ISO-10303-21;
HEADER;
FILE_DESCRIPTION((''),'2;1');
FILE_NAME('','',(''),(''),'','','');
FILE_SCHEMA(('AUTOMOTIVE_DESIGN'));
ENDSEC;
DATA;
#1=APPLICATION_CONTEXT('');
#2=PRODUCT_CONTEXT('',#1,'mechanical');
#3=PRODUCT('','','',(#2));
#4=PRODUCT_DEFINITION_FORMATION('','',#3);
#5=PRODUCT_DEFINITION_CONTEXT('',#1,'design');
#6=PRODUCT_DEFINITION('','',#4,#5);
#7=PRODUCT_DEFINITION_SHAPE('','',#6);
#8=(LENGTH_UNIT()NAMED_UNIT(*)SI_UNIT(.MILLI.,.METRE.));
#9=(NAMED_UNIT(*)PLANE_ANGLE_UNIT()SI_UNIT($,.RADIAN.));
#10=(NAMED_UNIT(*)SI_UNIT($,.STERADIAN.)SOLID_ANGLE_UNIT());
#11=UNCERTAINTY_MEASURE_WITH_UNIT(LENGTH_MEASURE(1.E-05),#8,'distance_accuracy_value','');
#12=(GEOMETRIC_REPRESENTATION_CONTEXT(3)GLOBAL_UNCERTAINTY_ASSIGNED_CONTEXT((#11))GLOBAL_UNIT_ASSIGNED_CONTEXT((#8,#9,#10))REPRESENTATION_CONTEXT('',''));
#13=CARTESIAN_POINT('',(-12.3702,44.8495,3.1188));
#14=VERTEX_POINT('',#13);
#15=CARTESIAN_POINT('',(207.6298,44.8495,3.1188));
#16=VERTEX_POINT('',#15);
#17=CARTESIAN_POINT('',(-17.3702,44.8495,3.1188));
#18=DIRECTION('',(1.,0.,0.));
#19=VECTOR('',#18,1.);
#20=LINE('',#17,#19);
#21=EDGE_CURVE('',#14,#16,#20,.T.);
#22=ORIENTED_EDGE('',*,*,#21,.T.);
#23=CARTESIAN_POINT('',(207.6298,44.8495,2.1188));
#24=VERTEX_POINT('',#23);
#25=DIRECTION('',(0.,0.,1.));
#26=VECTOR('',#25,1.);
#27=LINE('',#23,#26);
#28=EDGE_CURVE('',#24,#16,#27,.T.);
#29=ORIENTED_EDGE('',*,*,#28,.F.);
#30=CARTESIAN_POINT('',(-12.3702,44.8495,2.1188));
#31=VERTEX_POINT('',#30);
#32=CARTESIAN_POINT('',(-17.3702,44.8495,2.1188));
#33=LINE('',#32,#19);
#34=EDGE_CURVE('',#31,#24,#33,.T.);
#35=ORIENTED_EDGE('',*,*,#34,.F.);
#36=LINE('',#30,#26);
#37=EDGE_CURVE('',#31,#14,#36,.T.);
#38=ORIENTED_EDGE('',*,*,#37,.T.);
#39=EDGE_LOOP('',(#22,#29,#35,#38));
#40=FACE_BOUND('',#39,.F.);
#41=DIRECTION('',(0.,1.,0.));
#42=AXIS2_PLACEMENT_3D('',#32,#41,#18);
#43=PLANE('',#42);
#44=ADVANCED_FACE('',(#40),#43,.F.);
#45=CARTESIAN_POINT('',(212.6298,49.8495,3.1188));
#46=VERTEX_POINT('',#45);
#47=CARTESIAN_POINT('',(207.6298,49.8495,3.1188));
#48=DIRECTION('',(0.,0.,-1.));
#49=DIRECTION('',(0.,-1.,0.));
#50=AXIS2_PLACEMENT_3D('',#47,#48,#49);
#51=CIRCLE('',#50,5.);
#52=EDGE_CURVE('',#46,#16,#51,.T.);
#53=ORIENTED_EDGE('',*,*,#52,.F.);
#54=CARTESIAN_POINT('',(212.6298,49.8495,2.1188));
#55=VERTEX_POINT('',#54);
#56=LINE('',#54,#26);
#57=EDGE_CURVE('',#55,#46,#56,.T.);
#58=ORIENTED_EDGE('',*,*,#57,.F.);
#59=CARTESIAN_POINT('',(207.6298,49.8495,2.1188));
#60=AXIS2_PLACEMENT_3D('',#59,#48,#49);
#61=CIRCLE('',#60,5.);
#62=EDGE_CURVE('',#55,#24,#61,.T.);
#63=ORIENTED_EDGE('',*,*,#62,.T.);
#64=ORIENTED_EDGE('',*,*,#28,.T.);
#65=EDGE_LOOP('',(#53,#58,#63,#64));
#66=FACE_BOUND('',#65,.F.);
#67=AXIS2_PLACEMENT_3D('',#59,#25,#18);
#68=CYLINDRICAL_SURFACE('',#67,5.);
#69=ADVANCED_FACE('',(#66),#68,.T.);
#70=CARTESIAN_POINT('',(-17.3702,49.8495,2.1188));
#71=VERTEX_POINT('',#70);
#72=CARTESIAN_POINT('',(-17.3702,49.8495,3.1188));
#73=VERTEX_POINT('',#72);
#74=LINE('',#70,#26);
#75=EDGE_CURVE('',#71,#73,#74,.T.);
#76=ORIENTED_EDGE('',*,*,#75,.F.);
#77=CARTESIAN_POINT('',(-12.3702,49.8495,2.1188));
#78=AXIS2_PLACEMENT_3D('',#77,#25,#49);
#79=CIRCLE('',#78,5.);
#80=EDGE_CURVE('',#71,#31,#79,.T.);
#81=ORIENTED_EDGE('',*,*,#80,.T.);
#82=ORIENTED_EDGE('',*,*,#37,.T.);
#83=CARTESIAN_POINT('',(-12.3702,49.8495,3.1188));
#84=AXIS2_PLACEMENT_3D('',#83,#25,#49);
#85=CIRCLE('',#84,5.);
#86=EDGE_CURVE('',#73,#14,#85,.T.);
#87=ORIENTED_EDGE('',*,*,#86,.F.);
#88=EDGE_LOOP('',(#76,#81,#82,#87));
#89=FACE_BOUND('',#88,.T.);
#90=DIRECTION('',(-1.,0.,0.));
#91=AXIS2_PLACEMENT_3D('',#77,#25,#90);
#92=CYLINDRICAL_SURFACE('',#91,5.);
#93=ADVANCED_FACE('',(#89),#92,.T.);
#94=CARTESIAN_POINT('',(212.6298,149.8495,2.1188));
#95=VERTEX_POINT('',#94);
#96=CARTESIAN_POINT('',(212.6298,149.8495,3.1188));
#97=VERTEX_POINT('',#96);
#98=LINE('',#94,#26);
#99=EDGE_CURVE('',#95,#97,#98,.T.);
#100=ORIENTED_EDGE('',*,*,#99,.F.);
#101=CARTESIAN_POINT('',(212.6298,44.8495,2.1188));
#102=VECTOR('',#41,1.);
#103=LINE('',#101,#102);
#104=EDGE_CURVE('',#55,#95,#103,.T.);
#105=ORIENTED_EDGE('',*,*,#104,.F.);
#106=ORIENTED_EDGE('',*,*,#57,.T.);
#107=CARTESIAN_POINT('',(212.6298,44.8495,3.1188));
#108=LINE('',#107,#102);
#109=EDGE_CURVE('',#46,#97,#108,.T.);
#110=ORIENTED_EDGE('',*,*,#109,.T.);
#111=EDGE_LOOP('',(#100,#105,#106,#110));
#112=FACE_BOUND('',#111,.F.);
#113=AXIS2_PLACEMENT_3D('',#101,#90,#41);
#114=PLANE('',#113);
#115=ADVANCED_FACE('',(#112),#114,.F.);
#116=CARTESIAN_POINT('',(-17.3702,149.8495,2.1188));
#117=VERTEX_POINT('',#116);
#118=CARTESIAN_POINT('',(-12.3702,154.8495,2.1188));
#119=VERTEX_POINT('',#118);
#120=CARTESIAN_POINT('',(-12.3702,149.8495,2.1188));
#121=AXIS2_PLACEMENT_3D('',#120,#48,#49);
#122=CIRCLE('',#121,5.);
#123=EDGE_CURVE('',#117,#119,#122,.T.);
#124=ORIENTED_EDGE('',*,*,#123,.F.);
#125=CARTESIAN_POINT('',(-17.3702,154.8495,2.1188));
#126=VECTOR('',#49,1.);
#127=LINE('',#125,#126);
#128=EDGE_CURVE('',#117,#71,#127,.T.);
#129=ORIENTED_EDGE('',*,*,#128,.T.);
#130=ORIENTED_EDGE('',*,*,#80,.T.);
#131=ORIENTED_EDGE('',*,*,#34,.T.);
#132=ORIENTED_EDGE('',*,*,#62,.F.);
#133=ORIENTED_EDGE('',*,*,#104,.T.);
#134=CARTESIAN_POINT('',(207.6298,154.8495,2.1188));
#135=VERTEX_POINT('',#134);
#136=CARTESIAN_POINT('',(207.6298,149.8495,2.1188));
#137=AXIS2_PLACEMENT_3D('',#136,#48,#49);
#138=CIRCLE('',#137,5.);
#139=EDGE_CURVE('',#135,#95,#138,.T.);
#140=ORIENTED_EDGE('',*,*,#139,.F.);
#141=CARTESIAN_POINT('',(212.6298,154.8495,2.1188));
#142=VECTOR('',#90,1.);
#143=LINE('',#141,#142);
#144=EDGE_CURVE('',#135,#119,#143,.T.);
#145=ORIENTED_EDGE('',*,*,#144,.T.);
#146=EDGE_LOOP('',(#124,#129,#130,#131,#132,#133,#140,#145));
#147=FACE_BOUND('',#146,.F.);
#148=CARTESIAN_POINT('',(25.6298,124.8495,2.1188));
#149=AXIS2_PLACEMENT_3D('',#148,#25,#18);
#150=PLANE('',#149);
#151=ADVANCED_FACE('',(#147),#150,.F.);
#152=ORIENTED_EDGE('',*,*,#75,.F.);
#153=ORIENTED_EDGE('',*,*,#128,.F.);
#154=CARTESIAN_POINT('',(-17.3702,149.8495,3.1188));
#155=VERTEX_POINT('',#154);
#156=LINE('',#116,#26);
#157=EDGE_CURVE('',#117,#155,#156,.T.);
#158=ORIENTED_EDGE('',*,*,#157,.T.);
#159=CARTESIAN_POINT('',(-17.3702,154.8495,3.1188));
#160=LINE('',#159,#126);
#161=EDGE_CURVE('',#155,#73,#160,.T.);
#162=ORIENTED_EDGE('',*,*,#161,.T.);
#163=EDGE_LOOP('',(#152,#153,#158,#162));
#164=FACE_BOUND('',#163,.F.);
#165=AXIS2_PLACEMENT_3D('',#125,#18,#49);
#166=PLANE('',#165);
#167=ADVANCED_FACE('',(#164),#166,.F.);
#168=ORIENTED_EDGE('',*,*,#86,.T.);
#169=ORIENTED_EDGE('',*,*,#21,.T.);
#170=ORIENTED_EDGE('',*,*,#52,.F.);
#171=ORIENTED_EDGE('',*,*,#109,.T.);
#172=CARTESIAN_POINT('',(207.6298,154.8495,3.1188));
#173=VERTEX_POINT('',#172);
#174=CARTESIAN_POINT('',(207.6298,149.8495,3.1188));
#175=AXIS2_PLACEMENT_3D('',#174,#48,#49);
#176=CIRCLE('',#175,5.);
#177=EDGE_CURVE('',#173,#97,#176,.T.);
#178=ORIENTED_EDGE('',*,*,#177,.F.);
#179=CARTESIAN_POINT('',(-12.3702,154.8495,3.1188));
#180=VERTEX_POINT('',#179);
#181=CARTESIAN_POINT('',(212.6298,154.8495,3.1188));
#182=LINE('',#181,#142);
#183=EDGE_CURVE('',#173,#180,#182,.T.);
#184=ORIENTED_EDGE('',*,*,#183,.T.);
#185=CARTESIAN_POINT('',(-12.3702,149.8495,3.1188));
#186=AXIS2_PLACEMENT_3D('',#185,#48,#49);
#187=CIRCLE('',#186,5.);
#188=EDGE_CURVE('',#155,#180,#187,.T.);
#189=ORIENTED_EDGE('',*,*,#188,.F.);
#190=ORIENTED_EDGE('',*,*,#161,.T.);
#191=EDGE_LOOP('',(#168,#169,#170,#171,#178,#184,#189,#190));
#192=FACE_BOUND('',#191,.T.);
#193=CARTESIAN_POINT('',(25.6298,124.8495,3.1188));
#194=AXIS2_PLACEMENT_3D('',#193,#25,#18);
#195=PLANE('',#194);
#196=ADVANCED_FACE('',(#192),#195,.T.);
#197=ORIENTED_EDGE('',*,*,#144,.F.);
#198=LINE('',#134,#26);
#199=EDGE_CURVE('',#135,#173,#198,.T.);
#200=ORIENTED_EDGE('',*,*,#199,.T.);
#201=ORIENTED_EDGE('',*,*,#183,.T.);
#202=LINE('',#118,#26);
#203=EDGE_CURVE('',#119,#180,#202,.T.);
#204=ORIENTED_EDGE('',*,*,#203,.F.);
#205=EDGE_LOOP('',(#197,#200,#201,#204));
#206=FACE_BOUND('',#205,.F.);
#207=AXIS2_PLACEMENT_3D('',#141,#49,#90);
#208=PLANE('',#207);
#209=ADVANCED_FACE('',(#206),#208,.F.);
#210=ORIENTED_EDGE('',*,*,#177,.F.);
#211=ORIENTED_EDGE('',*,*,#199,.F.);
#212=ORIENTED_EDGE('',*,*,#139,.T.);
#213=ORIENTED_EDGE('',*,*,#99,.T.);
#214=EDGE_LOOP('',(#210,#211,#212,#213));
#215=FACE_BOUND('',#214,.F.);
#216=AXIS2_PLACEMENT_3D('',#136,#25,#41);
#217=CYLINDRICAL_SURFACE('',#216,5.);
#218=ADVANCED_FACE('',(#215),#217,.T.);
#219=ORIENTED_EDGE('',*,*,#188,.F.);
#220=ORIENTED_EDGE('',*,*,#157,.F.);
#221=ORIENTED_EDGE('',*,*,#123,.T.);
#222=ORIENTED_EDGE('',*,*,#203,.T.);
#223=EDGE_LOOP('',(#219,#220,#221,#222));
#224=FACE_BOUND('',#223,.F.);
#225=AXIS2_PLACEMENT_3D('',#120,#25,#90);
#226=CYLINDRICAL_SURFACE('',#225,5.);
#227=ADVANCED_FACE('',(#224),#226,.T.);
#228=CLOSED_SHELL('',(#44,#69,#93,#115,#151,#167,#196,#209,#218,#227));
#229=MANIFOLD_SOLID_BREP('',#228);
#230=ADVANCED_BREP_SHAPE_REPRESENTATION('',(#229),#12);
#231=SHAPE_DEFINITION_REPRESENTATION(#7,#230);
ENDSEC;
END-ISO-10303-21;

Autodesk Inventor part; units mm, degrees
ref_plane "YZ Plane" through (0, 0, 0) normal (1, 0, 0) x (0, 1, 0)
ref_plane "XZ Plane" through (0, 0, 0) normal (0, 1, 0) x (-1, 0, 0)
ref_plane "XY Plane" through (0, 0, 0) normal (0, 0, 1) x (1, 0, 0)
sketch "Эскиз1" plane through (25.6298, 124.8495, 2.1188) normal (0, 0, 1) x (1, 0, 0)
  line L0 (-43, -80) -> (187, -80)
  line L1 (187, -80) -> (187, 30)
  line L2 (187, 30) -> (-43, 30)
  line L3 (-43, 30) -> (-43, -80)
  line L4 (-43, -80) -> (187, 30) construction
  line L5 (187, -80) -> (-43, 30) construction
  point P0 (-25.6298, -124.8495)
  point P1 (72, -25)
  dimension "d0" = 230
  dimension "d1" = 110
extrude "Выдавливание1" add sketch "Эскиз1" along normal blind 1
fillet "Сопряжение1" radius 5 4 edges at (212.6298, 154.8495, 2.6188) (-17.3702, 154.8495, 2.6188) (-17.3702, 44.8495, 2.6188) (212.6298, 44.8495, 2.6188)
properties part number "reverse_cat_fire"
